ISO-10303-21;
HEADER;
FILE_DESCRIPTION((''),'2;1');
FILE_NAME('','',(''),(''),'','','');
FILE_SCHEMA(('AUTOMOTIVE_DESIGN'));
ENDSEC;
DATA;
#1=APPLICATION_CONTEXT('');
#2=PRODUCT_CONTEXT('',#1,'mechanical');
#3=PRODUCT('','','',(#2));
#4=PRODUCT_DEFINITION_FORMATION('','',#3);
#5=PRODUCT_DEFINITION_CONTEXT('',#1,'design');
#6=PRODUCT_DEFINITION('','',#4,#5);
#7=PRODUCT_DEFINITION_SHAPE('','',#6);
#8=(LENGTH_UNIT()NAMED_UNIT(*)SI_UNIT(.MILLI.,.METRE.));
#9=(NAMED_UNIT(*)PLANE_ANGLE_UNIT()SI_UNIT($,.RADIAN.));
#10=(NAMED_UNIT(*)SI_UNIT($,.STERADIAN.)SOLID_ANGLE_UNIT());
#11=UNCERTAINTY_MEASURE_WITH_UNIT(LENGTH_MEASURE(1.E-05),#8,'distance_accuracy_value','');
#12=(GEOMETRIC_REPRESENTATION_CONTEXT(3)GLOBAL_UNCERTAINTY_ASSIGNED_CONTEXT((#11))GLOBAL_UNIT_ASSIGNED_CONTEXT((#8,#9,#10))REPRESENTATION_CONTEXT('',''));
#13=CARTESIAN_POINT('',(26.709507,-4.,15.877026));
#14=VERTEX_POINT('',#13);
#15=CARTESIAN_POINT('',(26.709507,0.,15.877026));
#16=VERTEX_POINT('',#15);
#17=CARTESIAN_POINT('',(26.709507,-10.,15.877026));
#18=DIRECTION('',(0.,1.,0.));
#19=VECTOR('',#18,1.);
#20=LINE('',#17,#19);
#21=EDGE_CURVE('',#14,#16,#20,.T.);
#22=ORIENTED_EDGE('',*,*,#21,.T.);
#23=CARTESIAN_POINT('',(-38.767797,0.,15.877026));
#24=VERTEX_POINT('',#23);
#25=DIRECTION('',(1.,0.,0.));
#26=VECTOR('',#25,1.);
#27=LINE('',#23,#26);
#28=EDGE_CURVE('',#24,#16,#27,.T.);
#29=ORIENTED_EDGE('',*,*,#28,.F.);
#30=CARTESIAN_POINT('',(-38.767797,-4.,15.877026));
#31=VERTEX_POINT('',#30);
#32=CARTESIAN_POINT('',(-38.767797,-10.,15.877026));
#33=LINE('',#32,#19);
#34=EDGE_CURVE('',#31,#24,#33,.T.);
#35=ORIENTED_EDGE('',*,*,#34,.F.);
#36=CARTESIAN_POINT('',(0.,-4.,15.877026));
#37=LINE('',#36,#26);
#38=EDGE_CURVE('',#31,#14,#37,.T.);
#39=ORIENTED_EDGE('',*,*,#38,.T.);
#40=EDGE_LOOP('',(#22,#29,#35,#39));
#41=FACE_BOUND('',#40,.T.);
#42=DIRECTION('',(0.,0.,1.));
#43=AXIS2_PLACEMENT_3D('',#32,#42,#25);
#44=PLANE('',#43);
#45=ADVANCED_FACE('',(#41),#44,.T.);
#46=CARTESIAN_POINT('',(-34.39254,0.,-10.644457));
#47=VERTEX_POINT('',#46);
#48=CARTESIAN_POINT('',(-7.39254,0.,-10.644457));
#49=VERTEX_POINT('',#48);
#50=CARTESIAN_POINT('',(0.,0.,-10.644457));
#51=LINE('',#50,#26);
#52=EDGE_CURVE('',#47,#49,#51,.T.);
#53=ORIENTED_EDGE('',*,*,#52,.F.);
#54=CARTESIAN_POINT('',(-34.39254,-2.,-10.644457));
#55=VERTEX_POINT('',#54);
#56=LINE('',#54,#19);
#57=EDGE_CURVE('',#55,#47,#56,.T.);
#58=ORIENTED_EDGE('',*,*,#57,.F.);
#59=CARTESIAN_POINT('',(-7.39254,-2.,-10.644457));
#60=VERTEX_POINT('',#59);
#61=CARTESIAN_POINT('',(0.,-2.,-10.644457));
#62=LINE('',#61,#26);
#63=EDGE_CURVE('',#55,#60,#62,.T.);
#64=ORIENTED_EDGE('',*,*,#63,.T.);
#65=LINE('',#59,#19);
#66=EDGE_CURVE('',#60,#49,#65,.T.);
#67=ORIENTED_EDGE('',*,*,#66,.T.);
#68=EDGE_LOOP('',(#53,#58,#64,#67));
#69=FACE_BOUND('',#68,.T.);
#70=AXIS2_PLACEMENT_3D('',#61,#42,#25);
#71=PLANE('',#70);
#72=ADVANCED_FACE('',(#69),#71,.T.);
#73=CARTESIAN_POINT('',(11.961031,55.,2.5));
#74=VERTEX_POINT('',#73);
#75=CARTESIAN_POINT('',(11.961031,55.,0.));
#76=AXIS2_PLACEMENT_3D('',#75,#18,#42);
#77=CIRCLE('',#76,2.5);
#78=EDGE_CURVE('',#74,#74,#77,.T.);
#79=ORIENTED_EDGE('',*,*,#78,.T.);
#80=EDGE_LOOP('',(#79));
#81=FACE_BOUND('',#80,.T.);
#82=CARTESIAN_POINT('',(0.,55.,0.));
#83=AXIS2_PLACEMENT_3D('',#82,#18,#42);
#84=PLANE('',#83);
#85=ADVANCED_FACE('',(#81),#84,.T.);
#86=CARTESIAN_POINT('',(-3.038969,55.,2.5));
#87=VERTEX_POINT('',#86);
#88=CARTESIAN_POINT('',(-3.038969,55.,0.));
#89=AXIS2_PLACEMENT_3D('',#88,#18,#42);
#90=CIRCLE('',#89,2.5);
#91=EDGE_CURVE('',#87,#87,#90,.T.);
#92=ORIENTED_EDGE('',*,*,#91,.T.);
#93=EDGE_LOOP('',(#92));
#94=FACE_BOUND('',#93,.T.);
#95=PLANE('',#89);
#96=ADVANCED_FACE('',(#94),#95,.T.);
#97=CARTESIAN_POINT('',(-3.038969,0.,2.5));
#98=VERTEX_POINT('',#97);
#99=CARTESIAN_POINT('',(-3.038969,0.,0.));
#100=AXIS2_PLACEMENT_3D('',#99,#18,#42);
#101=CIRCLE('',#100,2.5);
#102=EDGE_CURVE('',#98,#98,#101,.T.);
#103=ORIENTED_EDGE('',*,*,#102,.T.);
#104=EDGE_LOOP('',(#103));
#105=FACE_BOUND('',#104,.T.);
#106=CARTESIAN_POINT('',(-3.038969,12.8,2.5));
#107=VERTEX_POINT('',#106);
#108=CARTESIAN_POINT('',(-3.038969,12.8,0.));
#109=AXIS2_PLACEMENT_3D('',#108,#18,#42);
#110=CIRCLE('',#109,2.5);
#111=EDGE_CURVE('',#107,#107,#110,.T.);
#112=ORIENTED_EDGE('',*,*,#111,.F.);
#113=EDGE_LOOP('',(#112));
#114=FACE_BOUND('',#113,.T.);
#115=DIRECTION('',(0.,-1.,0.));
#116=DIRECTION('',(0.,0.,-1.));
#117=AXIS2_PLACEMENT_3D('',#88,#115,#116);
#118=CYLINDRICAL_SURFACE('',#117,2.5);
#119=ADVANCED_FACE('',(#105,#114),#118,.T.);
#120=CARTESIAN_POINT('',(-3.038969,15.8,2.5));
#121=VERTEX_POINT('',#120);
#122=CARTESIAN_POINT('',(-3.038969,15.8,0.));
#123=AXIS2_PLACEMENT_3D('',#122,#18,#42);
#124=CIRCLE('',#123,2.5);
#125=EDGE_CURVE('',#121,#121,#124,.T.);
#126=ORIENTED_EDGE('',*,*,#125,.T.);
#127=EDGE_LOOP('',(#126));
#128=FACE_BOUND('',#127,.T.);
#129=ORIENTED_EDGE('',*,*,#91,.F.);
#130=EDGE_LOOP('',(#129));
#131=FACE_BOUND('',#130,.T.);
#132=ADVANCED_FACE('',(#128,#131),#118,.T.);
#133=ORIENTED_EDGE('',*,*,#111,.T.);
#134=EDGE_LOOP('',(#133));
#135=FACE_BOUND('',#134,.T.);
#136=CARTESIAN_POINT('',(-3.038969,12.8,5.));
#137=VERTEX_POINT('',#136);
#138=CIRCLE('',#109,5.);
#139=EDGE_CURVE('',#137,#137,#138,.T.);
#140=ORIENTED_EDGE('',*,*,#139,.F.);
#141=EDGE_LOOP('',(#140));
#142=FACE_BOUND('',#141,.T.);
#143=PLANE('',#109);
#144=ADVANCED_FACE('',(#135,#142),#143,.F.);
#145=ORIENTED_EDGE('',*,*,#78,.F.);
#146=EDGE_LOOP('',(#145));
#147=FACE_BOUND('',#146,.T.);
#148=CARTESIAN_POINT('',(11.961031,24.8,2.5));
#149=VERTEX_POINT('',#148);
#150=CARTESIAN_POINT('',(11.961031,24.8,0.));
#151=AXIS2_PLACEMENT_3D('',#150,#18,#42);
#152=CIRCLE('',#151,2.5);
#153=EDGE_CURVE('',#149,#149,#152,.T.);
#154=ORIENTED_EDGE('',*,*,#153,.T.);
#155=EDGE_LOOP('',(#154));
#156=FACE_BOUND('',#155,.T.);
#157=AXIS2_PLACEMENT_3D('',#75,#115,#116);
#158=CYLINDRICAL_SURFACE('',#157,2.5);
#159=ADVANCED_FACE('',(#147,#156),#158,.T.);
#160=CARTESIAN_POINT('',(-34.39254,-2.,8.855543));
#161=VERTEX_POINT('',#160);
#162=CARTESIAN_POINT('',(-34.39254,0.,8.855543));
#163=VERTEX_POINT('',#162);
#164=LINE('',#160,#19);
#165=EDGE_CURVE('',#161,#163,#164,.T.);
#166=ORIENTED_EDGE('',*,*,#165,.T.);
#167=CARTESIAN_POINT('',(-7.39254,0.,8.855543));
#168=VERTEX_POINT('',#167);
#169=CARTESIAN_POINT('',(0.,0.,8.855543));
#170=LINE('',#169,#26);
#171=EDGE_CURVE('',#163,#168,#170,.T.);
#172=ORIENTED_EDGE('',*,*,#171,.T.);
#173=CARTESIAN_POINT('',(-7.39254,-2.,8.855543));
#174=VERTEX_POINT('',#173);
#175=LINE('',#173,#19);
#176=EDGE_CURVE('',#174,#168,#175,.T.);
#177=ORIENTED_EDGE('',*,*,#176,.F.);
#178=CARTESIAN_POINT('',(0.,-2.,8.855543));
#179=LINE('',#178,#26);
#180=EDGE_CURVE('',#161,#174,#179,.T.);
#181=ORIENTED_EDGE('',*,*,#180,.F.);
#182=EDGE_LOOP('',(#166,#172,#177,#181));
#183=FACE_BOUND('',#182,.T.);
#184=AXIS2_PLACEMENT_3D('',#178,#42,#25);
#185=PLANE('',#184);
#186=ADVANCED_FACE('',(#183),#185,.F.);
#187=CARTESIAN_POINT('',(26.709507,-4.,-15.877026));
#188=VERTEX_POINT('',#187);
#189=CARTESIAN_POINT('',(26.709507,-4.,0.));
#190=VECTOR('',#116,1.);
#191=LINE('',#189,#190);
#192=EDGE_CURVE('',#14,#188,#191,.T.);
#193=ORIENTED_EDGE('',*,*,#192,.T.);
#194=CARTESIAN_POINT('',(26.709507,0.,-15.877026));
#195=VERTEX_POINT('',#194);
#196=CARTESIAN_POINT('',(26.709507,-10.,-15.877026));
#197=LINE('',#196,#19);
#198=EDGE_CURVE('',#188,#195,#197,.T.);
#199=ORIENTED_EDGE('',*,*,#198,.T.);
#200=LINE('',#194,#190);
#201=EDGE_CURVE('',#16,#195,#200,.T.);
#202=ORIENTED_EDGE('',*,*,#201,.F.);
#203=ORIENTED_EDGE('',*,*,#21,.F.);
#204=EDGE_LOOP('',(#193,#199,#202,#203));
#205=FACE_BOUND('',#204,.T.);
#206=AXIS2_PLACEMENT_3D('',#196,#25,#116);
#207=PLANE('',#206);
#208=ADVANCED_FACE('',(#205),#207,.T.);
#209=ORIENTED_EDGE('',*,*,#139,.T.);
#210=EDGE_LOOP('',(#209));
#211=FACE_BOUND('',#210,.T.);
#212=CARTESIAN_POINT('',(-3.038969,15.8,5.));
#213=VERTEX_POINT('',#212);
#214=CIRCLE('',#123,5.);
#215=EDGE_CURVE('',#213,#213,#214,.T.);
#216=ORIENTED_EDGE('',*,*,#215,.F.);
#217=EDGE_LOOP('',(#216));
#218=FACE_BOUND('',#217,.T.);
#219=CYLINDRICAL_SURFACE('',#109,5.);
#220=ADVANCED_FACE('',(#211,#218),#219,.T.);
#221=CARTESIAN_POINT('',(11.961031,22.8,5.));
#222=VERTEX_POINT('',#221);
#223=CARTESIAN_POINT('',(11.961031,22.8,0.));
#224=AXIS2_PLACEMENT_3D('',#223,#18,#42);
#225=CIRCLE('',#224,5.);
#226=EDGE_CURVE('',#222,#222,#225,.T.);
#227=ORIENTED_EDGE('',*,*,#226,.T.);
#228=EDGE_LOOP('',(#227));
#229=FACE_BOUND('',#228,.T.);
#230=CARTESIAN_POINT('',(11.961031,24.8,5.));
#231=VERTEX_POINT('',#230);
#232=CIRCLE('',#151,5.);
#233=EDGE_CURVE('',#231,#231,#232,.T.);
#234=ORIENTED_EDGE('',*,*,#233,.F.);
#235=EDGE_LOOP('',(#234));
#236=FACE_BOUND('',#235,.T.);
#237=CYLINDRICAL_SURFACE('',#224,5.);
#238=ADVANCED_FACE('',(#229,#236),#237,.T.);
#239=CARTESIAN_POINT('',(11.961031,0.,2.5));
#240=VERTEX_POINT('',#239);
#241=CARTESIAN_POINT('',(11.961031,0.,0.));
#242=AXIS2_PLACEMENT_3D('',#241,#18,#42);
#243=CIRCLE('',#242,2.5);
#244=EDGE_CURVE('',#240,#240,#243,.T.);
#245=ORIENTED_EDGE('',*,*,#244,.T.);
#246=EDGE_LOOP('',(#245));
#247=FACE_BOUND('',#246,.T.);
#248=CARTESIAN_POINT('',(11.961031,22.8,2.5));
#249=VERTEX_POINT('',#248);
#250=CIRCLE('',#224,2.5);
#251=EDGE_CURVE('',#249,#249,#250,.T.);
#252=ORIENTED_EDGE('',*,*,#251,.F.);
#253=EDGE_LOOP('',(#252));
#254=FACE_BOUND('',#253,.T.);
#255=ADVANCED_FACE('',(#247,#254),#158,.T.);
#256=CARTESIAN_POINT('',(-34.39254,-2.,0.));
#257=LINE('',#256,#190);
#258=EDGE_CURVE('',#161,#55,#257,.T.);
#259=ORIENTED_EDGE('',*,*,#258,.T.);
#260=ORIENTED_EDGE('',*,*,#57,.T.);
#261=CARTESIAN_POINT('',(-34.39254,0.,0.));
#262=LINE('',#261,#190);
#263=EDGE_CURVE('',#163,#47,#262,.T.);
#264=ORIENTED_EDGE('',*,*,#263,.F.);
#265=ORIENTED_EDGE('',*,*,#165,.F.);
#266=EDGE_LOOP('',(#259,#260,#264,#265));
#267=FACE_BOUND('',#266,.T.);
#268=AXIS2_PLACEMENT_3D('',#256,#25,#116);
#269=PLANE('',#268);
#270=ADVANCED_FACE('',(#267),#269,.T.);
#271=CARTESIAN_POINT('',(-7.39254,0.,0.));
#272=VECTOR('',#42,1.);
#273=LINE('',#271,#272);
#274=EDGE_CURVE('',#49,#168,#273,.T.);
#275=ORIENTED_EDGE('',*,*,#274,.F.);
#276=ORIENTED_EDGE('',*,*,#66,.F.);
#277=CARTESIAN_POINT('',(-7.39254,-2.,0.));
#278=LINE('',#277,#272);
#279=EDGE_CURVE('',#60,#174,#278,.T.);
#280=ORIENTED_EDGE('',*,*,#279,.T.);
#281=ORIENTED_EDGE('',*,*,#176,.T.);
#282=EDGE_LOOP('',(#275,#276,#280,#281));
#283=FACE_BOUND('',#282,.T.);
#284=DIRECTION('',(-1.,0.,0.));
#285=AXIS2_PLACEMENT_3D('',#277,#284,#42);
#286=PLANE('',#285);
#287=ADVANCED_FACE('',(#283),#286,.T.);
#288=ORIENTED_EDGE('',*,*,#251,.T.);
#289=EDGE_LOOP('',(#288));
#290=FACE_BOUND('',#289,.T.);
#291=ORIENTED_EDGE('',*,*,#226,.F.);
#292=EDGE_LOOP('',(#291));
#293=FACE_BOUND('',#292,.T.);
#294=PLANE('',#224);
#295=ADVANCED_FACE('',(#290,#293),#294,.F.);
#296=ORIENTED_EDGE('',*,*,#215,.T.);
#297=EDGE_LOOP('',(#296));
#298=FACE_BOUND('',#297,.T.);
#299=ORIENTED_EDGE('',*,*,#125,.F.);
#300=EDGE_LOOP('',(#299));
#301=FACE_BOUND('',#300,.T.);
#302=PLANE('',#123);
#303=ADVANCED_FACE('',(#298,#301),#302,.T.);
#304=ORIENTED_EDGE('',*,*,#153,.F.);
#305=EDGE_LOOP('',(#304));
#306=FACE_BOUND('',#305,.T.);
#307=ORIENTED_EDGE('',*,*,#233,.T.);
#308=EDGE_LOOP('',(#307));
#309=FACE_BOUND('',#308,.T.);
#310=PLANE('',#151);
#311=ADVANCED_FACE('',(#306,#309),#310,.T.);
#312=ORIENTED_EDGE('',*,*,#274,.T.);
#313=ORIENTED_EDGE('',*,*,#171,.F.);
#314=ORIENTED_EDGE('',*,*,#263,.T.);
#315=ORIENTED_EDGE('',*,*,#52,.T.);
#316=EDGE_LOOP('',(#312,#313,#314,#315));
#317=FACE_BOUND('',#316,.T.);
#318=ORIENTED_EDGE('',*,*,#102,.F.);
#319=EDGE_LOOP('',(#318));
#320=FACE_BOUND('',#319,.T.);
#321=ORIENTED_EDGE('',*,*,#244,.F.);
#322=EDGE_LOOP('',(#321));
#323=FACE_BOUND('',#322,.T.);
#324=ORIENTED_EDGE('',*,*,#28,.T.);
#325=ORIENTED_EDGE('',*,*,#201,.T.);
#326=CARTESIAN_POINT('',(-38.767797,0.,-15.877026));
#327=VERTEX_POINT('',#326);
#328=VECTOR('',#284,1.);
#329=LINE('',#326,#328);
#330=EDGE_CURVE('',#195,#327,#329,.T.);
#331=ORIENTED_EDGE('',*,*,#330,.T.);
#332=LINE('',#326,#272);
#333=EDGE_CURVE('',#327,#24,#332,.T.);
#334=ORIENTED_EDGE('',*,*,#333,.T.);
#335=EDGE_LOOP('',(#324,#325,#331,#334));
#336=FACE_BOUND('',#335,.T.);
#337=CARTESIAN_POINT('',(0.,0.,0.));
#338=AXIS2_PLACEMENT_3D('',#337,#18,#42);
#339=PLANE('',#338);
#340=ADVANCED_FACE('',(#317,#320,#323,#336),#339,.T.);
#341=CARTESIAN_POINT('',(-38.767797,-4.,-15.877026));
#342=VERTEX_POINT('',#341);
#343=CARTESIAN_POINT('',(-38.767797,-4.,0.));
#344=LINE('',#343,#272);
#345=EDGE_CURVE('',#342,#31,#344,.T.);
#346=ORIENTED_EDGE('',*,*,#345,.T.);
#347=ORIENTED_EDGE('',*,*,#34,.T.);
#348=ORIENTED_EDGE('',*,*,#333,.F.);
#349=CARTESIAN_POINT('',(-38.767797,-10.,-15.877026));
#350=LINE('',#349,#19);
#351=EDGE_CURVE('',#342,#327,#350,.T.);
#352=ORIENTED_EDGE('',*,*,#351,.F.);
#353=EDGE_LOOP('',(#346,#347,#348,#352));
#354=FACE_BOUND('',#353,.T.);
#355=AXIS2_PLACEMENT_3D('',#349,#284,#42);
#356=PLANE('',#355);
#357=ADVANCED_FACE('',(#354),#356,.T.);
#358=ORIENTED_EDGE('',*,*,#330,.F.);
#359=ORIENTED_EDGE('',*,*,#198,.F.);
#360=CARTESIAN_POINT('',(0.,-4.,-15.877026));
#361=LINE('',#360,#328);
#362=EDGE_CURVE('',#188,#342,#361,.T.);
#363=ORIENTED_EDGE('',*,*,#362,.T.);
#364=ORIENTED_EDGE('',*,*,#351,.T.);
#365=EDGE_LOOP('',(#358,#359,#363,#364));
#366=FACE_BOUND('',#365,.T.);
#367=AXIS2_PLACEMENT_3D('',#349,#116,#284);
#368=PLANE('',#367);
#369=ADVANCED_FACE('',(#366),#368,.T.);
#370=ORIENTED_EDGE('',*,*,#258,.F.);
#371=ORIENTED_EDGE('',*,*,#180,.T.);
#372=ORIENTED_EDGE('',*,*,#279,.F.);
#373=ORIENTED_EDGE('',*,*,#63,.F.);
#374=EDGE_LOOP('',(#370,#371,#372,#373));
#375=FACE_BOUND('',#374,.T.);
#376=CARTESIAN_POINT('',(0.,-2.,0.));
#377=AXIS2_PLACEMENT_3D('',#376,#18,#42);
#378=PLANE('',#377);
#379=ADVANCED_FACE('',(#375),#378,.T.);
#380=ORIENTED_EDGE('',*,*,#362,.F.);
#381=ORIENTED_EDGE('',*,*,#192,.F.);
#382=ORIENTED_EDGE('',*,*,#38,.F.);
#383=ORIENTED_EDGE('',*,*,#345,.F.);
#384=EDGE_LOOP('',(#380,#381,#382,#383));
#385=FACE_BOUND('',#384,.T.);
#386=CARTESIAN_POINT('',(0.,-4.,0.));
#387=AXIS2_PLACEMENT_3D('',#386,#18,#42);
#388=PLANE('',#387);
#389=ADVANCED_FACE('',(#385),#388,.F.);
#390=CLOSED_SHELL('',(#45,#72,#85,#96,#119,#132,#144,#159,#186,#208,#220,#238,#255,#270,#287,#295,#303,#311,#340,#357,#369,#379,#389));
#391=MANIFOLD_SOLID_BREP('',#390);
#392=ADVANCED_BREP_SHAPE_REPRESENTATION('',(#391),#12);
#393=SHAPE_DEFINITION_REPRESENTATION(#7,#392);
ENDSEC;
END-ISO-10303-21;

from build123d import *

# Parameters (mm, degrees)
SKETCH2_W           = 87.535593736
SKETCH2_H           = 41.754052132
BOSS_EXTRUDE1_DEPTH = 4
SKETCH1_R           = 2.5
BOSS_EXTRUDE2_DEPTH = 55
SKETCH4_R           = 5
BOSS_EXTRUDE3_DEPTH = 2
SKETCH5_W           = 87.535593736
SKETCH5_H           = 41.754052132
SKETCH5_W_2         = 65.477303461
SKETCH5_H_2         = 31.754052132
CUT_EXTRUDE5_DEPTH  = 10
SKETCH6_R           = 5
BOSS_EXTRUDE4_DEPTH = 3
SKETCH1_3_W         = 27
SKETCH1_3_H         = 19.5
CUT_EXTRUDE1_DEPTH  = 2


with BuildPart() as part:
    # Sketch2 → Boss-Extrude1 (new body)
    with BuildSketch(Plane(origin=(0, 0, 0), x_dir=(1, 0, 0), z_dir=(0, 1, 0))):
        Rectangle(SKETCH2_W, SKETCH2_H)
    extrude(amount=-BOSS_EXTRUDE1_DEPTH)

    # Sketch1 → Boss-Extrude2 (add)
    with BuildSketch(Plane(origin=(0, 0, 0), x_dir=(1, 0, 0), z_dir=(0, 1, 0))):
        with Locations((11.961031396, 0)):
            Circle(SKETCH1_R)
        with Locations((-3.038968604, 0)):
            Circle(SKETCH1_R)
    extrude(amount=BOSS_EXTRUDE2_DEPTH)

    # Sketch4 → Boss-Extrude3 (add)
    with BuildSketch(Plane(origin=(0, 24.8, 0), x_dir=(1, 0, 0), z_dir=(0, 1, 0))):
        with Locations((11.961031396, 0)):
            Circle(SKETCH4_R)
    extrude(amount=-BOSS_EXTRUDE3_DEPTH)

    # Sketch5 → Cut-Extrude5 (cut)
    with BuildSketch(Plane(origin=(0, 0, 0), x_dir=(1, 0, 0), z_dir=(0, 1, 0))):
        Rectangle(SKETCH5_W, SKETCH5_H)
        with Locations((-6.029145138, 0)):
            Rectangle(SKETCH5_W_2, SKETCH5_H_2, mode=Mode.SUBTRACT)
    extrude(amount=-CUT_EXTRUDE5_DEPTH, mode=Mode.SUBTRACT)

    # Sketch6 → Boss-Extrude4 (add)
    with BuildSketch(Plane(origin=(0, 15.8, 0), x_dir=(1, 0, 0), z_dir=(0, 1, 0))):
        with Locations((-3.038968604, 0)):
            Circle(SKETCH6_R)
    extrude(amount=-BOSS_EXTRUDE4_DEPTH)

    # Sketch1<3> → Cut-Extrude1 (cut)
    with BuildSketch(Plane(origin=(0, 0, 0), x_dir=(1, 0, 0), z_dir=(0, 1, 0))):
        with Locations((-20.892540318, 0.894456821)):
            Rectangle(SKETCH1_3_W, SKETCH1_3_H)
    extrude(amount=-CUT_EXTRUDE1_DEPTH, mode=Mode.SUBTRACT)


solid = part.part
